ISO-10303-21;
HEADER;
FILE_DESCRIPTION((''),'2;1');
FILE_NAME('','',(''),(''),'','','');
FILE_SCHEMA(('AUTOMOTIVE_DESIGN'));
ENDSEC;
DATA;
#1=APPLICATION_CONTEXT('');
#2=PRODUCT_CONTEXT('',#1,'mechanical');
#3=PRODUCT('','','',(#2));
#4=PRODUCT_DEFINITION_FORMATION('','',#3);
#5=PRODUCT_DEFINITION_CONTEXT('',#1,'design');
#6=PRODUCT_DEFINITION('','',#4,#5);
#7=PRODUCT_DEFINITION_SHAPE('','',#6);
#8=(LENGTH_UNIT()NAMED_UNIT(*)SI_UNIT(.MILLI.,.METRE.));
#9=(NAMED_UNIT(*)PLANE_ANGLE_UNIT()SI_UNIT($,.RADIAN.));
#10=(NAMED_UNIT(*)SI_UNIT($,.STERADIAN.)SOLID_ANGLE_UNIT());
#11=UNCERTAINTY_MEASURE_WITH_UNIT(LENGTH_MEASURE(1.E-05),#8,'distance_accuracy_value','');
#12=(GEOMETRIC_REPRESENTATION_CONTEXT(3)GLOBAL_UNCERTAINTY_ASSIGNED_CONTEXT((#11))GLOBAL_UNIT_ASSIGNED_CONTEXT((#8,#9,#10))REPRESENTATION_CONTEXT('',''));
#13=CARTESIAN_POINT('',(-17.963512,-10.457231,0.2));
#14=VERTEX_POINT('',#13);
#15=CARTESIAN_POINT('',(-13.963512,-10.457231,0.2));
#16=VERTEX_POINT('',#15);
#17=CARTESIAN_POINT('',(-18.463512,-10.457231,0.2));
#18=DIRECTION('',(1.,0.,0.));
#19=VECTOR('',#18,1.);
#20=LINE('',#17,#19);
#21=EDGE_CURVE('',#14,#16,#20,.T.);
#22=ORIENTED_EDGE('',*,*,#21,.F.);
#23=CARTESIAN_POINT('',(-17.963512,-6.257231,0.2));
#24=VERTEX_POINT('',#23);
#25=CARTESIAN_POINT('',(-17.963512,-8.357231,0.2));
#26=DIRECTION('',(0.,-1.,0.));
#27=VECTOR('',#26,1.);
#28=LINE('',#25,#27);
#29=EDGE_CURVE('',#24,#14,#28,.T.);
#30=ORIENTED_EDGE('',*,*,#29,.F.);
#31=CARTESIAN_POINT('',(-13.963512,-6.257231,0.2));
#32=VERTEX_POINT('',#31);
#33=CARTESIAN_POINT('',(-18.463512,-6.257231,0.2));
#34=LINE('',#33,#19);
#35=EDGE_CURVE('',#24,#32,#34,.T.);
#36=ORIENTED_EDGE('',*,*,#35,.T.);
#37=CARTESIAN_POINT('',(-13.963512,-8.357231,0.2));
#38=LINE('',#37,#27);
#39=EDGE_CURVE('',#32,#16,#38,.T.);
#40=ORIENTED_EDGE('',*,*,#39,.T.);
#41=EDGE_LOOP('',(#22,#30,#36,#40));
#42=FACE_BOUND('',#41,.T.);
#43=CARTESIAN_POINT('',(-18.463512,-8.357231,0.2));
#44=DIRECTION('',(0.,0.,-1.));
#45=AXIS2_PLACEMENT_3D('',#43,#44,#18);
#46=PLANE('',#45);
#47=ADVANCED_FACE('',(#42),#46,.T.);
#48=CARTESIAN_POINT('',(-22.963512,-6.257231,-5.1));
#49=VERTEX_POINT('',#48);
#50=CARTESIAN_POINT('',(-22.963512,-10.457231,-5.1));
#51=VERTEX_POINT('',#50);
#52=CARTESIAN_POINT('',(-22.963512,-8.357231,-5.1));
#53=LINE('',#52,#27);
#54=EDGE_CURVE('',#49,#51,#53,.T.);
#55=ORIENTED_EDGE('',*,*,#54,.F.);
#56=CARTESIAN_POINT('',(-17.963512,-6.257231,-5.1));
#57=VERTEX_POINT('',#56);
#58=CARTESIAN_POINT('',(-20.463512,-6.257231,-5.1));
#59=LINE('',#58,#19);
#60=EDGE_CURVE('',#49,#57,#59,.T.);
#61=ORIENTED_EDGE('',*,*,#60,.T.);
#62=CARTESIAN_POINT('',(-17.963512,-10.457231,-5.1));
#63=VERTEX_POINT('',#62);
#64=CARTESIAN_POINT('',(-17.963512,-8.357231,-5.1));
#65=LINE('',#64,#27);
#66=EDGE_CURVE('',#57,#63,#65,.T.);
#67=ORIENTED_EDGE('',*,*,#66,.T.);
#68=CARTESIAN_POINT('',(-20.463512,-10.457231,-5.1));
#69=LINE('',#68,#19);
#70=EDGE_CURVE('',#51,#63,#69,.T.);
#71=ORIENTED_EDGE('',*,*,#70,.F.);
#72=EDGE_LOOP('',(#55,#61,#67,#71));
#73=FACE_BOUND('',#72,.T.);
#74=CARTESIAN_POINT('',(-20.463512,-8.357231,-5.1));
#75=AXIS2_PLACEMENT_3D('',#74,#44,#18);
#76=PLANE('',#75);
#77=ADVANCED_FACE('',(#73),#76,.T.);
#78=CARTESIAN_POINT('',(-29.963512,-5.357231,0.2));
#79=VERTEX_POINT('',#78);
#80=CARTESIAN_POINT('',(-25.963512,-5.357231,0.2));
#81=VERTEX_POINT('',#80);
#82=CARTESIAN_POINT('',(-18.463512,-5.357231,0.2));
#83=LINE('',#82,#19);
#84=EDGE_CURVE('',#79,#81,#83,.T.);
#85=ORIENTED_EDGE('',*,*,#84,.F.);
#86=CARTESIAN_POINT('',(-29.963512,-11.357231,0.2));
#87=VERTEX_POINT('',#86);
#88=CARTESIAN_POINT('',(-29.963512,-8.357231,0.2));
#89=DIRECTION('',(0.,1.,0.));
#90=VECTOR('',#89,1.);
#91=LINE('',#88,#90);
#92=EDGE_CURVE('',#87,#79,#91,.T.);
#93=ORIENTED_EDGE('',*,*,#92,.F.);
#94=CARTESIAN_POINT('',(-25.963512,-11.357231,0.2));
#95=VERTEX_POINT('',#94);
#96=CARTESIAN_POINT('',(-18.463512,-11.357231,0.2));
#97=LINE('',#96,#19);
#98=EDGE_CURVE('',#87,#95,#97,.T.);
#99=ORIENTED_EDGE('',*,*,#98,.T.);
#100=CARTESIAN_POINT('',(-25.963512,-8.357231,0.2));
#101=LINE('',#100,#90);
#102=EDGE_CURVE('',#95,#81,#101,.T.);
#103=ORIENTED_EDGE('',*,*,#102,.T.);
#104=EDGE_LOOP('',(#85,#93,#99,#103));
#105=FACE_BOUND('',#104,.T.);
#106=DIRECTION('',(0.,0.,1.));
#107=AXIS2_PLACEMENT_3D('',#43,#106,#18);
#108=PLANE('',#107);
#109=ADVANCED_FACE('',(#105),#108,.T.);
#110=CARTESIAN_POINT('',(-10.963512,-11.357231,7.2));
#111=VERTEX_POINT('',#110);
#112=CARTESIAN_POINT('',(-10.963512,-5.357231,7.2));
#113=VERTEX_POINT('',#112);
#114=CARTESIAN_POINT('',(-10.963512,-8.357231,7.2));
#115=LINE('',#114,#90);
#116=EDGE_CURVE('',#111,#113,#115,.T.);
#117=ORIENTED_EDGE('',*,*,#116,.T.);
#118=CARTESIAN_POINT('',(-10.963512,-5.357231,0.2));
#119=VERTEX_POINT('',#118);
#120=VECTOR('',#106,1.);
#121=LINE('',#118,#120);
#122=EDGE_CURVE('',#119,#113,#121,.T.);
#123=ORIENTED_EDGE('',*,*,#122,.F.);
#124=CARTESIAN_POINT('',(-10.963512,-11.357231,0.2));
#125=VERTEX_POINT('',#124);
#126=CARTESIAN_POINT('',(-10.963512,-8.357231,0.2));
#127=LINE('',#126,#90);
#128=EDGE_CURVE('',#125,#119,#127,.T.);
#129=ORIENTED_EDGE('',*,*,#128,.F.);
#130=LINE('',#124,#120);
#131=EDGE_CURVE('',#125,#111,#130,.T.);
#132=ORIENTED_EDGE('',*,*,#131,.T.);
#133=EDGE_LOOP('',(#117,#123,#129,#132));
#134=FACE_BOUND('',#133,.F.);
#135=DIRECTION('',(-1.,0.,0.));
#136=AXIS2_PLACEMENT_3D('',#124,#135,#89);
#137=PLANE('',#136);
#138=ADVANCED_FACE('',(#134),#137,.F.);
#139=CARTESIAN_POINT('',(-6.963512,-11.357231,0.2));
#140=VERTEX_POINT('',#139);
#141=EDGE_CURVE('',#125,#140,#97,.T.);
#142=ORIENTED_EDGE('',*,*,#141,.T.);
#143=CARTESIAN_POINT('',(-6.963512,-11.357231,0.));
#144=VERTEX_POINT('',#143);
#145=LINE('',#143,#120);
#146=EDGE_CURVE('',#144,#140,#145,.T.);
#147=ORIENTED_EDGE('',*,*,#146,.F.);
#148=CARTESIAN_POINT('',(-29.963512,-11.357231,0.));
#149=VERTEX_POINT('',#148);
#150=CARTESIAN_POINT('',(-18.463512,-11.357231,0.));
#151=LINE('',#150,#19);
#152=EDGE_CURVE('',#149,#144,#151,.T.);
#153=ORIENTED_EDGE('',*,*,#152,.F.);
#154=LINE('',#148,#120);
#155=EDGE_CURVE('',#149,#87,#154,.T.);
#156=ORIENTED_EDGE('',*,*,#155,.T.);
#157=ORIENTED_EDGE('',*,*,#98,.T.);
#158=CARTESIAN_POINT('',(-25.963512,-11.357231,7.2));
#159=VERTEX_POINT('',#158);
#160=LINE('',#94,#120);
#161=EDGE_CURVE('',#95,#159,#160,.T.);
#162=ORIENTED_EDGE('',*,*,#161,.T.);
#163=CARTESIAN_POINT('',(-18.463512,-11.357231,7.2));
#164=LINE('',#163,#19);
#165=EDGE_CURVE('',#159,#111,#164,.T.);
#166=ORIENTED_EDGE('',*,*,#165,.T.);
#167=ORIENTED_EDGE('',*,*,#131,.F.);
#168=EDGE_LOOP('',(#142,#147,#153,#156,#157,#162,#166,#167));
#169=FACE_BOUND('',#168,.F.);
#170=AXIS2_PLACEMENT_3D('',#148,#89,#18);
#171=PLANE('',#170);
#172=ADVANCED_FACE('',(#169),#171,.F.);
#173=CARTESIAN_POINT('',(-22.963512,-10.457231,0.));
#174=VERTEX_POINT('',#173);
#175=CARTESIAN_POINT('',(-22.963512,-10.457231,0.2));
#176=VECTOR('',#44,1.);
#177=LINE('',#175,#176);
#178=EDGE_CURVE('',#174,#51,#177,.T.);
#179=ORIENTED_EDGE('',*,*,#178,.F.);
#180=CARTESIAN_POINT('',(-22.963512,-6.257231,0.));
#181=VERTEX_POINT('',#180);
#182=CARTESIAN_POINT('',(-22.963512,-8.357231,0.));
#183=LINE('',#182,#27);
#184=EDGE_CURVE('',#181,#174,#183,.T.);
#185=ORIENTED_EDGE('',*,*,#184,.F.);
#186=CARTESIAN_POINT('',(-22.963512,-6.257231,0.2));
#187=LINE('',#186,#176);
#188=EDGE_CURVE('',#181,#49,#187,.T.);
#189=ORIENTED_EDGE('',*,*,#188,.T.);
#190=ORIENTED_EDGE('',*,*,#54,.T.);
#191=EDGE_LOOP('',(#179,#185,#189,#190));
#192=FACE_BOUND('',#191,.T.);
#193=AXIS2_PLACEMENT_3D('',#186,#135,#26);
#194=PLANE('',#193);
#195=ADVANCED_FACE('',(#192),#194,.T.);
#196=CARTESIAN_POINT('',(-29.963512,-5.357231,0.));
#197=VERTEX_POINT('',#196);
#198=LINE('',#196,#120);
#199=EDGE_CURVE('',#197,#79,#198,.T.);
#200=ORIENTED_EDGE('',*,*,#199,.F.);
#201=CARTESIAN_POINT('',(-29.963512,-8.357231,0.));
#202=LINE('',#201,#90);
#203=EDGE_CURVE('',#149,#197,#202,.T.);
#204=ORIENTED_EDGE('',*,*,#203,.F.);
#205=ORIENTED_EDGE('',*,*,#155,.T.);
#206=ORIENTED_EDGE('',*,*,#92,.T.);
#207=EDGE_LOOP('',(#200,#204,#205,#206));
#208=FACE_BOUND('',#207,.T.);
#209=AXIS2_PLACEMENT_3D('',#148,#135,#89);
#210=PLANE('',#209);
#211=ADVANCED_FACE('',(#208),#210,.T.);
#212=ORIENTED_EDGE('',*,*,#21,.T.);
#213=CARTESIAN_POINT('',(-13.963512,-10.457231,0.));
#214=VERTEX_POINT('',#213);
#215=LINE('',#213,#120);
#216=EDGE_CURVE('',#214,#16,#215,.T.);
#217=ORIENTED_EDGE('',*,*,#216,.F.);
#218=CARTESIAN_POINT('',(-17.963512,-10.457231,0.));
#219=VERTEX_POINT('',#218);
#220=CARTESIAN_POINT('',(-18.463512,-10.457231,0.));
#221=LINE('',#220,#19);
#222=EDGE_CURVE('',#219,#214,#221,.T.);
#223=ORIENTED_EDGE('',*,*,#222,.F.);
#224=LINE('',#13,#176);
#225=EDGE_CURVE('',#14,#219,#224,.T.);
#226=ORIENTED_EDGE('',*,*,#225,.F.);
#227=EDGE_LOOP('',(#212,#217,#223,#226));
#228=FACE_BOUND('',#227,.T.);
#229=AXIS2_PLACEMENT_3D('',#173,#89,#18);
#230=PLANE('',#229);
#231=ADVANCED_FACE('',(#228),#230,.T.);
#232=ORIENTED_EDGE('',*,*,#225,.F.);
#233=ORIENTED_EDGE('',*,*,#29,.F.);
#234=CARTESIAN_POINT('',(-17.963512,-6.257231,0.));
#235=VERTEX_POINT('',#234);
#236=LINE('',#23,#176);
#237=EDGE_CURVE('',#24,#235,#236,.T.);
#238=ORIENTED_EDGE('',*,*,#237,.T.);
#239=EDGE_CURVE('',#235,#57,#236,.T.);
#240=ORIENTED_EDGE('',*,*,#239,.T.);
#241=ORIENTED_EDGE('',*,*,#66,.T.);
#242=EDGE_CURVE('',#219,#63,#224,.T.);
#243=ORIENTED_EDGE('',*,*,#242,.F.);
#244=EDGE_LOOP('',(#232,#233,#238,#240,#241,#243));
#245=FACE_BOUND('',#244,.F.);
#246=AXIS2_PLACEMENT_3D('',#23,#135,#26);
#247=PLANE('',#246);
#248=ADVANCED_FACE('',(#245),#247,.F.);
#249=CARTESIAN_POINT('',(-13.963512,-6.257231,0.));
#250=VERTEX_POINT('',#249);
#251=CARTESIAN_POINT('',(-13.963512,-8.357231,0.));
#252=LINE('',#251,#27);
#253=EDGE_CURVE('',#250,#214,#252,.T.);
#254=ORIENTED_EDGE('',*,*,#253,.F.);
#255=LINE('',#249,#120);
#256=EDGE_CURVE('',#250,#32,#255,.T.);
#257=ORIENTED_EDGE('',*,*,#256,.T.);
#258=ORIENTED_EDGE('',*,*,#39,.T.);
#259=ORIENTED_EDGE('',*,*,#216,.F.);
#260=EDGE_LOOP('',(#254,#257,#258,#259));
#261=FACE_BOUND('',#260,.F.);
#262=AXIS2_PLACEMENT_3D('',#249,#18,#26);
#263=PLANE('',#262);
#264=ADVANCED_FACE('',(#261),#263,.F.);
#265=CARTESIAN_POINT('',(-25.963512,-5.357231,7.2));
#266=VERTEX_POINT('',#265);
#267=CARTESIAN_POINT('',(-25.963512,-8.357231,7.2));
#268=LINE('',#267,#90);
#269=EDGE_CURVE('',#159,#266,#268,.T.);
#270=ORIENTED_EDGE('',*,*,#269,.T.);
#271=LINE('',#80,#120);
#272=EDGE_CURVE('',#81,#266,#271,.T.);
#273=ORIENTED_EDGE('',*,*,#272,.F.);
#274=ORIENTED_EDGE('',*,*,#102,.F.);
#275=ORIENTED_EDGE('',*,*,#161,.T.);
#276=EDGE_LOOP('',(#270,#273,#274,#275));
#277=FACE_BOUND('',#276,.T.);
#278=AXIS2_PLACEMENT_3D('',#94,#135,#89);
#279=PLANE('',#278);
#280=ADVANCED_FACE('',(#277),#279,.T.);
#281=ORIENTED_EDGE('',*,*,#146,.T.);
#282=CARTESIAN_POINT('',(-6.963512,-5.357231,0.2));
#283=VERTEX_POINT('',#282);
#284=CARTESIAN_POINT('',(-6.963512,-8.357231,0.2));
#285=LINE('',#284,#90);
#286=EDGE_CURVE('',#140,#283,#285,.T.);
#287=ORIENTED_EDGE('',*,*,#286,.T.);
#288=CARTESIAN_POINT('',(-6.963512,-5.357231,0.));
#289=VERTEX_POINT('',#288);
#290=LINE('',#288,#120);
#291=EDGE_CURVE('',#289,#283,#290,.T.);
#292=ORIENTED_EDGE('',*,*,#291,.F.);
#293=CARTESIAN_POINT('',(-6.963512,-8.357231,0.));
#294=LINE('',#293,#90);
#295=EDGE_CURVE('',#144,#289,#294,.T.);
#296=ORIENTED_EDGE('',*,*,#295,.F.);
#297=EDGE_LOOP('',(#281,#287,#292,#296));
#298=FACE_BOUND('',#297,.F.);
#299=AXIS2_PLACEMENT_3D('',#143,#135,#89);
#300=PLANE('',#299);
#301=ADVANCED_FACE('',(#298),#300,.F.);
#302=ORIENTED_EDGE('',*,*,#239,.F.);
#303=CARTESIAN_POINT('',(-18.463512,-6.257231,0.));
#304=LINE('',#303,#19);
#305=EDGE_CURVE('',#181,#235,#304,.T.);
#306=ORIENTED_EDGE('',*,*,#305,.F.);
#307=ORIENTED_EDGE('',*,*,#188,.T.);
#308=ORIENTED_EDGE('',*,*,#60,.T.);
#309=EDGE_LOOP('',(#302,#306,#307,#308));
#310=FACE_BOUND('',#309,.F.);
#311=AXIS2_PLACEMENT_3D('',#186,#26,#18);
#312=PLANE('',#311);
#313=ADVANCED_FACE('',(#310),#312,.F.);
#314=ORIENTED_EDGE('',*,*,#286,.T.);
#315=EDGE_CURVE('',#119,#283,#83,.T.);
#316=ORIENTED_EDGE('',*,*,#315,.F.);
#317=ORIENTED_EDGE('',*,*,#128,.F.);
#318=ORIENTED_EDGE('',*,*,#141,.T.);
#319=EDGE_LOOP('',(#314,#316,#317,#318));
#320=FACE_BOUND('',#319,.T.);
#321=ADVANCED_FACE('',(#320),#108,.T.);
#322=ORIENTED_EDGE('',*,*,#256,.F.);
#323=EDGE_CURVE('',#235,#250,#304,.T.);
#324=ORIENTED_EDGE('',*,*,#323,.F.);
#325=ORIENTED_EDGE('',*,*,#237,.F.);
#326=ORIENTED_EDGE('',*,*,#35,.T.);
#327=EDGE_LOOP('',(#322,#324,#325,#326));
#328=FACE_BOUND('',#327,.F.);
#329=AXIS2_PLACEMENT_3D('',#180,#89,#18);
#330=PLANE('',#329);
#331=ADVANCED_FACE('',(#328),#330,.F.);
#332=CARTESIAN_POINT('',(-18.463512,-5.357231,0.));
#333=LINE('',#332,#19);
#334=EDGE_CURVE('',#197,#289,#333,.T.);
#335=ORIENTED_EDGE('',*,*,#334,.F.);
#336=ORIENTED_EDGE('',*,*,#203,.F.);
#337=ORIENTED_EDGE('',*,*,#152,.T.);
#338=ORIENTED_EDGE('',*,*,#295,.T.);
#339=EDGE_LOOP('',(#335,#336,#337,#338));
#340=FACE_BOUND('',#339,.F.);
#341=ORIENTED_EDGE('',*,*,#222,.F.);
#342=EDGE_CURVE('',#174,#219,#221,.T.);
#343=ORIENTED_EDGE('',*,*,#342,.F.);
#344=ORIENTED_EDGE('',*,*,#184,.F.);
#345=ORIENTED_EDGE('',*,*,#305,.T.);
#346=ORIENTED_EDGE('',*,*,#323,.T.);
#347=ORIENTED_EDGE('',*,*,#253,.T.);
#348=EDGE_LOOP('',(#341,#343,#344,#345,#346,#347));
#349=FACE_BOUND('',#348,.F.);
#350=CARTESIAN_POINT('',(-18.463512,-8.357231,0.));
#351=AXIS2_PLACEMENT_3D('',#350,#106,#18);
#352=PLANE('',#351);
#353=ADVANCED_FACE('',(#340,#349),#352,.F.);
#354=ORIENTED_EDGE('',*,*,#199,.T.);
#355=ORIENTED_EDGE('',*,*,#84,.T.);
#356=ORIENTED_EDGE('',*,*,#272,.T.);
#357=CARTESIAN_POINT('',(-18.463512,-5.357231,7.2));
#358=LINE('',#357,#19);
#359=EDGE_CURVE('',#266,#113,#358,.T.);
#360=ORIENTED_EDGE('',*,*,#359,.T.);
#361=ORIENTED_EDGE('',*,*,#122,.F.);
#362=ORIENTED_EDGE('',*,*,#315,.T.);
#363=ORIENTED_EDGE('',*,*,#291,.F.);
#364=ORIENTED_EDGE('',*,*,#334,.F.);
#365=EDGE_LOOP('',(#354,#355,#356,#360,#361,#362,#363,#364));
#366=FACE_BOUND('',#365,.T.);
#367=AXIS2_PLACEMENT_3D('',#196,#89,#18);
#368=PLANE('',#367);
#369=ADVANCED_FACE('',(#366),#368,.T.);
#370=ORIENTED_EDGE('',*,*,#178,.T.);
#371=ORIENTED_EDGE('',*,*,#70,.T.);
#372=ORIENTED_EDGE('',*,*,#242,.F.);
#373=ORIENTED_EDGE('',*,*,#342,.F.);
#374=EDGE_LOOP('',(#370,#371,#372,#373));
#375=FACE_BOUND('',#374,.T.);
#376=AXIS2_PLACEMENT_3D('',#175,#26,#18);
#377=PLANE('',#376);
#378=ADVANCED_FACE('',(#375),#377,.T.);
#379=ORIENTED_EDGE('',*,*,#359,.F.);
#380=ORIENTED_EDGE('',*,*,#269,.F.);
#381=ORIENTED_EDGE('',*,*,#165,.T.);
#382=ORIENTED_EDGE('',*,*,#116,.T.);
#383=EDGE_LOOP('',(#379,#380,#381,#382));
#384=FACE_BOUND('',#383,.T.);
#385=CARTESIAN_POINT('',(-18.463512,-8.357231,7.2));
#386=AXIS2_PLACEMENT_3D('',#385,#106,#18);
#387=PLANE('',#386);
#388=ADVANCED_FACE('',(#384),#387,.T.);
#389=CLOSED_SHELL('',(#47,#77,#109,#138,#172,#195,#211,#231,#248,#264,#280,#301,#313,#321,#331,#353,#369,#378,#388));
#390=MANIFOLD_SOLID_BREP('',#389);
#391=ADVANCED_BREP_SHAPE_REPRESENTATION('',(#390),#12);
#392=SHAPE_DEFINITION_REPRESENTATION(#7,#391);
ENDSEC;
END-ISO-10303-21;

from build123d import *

# Parameters (mm, degrees)
F0_W     = 23
F0_H     = 6
F1_DEPTH = 0.2
F2_W     = 15
F2_H     = 6
F3_DEPTH = 7
F4_W     = 9
F4_H     = 4.2
F5_DEPTH = 0.2
F6_W     = 5
F6_H     = 4.2
F7_DEPTH = 5.3


with BuildPart() as f1:
    # F0 (on Top) → F1 (new body)
    with BuildSketch(Plane.XY):
        with Locations((-18.463512, -8.357231)):
            Rectangle(F0_W, F0_H)
    extrude(amount=F1_DEPTH)

    # F2 (on face) → F3 (join)
    with BuildSketch(Plane.XY.offset(0.2)):
        with Locations((-18.463512, -8.357231)):
            Rectangle(F2_W, F2_H)
    extrude(amount=F3_DEPTH)

    # F4 (on face) → F5 (cut)
    with BuildSketch(Plane(origin=(0, 0, 0), x_dir=(1, 0, 0), z_dir=(0, 0, -1))):
        with Locations((-18.463512, 8.357231)):
            Rectangle(F4_W, F4_H)
    extrude(amount=-F5_DEPTH, mode=Mode.SUBTRACT)

    # F6 (on face) → F7 (join)
    with BuildSketch(Plane(origin=(0, 0, 0.2), x_dir=(1, 0, 0), z_dir=(0, 0, -1))):
        with Locations((-20.463512, 8.357231)):
            Rectangle(F6_W, F6_H)
    extrude(amount=F7_DEPTH)


solid = f1.part
